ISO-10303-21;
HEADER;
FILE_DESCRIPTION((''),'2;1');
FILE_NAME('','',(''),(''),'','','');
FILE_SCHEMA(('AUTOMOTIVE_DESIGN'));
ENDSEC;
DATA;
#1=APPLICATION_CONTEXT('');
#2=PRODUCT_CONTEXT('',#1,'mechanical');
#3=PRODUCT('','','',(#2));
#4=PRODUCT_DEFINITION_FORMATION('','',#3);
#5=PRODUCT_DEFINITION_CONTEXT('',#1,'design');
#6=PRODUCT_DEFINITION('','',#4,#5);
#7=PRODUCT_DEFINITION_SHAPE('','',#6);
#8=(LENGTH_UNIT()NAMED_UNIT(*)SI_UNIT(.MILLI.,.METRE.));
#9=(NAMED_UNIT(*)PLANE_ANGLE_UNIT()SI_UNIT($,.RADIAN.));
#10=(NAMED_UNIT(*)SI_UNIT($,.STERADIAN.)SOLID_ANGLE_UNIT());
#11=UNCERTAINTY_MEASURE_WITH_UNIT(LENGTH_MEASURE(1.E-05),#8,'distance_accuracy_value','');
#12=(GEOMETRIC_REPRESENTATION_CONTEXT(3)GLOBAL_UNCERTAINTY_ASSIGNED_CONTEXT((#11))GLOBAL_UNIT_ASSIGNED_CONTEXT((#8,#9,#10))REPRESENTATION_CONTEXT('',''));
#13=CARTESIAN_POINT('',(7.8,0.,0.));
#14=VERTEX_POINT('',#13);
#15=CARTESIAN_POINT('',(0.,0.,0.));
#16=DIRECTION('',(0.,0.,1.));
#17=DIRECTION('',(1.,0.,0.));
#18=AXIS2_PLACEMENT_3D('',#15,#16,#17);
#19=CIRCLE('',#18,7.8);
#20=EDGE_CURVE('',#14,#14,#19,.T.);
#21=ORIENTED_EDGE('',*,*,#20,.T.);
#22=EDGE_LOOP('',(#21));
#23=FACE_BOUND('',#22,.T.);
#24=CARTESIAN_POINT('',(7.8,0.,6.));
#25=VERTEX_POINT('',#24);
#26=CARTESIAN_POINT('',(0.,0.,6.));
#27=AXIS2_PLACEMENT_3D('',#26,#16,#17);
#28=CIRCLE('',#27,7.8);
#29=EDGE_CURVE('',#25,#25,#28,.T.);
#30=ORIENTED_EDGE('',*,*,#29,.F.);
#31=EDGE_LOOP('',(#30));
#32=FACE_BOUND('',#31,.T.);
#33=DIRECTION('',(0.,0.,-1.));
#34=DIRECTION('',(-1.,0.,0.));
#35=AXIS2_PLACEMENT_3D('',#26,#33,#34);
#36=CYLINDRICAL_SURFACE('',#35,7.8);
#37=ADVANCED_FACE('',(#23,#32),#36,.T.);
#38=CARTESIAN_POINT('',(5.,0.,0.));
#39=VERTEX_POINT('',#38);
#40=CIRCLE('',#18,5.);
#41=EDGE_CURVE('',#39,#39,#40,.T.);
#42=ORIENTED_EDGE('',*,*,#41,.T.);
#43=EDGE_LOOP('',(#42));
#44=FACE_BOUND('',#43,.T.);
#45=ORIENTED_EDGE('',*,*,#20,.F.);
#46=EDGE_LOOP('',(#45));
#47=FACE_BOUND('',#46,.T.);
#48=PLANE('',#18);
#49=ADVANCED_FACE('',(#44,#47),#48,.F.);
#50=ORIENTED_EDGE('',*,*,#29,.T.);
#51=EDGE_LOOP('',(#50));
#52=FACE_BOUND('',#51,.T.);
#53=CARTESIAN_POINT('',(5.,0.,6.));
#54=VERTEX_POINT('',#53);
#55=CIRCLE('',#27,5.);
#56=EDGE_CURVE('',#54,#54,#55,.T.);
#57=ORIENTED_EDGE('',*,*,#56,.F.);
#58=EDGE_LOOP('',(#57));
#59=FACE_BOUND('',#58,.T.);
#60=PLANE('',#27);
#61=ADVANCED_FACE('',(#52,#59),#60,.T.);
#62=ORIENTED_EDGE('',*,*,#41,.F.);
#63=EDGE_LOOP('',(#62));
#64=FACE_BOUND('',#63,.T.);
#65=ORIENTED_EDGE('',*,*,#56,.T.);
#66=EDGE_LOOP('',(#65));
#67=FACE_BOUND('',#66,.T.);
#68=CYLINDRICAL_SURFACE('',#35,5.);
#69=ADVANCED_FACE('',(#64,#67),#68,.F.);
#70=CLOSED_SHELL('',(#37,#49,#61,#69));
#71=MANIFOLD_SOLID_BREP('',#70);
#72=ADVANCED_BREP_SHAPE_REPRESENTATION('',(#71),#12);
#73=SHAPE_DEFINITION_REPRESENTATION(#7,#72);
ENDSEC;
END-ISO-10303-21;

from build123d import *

# Parameters (mm, degrees)
ESQUISSE1_R        = 7.8
ESQUISSE1_R_2      = 5
BOSS_EXTRU_1_DEPTH = 6


with BuildPart() as part:
    # Esquisse1 → Boss.-Extru.1 (new body)
    with BuildSketch(Plane.XY):
        Circle(ESQUISSE1_R)
        Circle(ESQUISSE1_R_2, mode=Mode.SUBTRACT)
    extrude(amount=BOSS_EXTRU_1_DEPTH)


solid = part.part
